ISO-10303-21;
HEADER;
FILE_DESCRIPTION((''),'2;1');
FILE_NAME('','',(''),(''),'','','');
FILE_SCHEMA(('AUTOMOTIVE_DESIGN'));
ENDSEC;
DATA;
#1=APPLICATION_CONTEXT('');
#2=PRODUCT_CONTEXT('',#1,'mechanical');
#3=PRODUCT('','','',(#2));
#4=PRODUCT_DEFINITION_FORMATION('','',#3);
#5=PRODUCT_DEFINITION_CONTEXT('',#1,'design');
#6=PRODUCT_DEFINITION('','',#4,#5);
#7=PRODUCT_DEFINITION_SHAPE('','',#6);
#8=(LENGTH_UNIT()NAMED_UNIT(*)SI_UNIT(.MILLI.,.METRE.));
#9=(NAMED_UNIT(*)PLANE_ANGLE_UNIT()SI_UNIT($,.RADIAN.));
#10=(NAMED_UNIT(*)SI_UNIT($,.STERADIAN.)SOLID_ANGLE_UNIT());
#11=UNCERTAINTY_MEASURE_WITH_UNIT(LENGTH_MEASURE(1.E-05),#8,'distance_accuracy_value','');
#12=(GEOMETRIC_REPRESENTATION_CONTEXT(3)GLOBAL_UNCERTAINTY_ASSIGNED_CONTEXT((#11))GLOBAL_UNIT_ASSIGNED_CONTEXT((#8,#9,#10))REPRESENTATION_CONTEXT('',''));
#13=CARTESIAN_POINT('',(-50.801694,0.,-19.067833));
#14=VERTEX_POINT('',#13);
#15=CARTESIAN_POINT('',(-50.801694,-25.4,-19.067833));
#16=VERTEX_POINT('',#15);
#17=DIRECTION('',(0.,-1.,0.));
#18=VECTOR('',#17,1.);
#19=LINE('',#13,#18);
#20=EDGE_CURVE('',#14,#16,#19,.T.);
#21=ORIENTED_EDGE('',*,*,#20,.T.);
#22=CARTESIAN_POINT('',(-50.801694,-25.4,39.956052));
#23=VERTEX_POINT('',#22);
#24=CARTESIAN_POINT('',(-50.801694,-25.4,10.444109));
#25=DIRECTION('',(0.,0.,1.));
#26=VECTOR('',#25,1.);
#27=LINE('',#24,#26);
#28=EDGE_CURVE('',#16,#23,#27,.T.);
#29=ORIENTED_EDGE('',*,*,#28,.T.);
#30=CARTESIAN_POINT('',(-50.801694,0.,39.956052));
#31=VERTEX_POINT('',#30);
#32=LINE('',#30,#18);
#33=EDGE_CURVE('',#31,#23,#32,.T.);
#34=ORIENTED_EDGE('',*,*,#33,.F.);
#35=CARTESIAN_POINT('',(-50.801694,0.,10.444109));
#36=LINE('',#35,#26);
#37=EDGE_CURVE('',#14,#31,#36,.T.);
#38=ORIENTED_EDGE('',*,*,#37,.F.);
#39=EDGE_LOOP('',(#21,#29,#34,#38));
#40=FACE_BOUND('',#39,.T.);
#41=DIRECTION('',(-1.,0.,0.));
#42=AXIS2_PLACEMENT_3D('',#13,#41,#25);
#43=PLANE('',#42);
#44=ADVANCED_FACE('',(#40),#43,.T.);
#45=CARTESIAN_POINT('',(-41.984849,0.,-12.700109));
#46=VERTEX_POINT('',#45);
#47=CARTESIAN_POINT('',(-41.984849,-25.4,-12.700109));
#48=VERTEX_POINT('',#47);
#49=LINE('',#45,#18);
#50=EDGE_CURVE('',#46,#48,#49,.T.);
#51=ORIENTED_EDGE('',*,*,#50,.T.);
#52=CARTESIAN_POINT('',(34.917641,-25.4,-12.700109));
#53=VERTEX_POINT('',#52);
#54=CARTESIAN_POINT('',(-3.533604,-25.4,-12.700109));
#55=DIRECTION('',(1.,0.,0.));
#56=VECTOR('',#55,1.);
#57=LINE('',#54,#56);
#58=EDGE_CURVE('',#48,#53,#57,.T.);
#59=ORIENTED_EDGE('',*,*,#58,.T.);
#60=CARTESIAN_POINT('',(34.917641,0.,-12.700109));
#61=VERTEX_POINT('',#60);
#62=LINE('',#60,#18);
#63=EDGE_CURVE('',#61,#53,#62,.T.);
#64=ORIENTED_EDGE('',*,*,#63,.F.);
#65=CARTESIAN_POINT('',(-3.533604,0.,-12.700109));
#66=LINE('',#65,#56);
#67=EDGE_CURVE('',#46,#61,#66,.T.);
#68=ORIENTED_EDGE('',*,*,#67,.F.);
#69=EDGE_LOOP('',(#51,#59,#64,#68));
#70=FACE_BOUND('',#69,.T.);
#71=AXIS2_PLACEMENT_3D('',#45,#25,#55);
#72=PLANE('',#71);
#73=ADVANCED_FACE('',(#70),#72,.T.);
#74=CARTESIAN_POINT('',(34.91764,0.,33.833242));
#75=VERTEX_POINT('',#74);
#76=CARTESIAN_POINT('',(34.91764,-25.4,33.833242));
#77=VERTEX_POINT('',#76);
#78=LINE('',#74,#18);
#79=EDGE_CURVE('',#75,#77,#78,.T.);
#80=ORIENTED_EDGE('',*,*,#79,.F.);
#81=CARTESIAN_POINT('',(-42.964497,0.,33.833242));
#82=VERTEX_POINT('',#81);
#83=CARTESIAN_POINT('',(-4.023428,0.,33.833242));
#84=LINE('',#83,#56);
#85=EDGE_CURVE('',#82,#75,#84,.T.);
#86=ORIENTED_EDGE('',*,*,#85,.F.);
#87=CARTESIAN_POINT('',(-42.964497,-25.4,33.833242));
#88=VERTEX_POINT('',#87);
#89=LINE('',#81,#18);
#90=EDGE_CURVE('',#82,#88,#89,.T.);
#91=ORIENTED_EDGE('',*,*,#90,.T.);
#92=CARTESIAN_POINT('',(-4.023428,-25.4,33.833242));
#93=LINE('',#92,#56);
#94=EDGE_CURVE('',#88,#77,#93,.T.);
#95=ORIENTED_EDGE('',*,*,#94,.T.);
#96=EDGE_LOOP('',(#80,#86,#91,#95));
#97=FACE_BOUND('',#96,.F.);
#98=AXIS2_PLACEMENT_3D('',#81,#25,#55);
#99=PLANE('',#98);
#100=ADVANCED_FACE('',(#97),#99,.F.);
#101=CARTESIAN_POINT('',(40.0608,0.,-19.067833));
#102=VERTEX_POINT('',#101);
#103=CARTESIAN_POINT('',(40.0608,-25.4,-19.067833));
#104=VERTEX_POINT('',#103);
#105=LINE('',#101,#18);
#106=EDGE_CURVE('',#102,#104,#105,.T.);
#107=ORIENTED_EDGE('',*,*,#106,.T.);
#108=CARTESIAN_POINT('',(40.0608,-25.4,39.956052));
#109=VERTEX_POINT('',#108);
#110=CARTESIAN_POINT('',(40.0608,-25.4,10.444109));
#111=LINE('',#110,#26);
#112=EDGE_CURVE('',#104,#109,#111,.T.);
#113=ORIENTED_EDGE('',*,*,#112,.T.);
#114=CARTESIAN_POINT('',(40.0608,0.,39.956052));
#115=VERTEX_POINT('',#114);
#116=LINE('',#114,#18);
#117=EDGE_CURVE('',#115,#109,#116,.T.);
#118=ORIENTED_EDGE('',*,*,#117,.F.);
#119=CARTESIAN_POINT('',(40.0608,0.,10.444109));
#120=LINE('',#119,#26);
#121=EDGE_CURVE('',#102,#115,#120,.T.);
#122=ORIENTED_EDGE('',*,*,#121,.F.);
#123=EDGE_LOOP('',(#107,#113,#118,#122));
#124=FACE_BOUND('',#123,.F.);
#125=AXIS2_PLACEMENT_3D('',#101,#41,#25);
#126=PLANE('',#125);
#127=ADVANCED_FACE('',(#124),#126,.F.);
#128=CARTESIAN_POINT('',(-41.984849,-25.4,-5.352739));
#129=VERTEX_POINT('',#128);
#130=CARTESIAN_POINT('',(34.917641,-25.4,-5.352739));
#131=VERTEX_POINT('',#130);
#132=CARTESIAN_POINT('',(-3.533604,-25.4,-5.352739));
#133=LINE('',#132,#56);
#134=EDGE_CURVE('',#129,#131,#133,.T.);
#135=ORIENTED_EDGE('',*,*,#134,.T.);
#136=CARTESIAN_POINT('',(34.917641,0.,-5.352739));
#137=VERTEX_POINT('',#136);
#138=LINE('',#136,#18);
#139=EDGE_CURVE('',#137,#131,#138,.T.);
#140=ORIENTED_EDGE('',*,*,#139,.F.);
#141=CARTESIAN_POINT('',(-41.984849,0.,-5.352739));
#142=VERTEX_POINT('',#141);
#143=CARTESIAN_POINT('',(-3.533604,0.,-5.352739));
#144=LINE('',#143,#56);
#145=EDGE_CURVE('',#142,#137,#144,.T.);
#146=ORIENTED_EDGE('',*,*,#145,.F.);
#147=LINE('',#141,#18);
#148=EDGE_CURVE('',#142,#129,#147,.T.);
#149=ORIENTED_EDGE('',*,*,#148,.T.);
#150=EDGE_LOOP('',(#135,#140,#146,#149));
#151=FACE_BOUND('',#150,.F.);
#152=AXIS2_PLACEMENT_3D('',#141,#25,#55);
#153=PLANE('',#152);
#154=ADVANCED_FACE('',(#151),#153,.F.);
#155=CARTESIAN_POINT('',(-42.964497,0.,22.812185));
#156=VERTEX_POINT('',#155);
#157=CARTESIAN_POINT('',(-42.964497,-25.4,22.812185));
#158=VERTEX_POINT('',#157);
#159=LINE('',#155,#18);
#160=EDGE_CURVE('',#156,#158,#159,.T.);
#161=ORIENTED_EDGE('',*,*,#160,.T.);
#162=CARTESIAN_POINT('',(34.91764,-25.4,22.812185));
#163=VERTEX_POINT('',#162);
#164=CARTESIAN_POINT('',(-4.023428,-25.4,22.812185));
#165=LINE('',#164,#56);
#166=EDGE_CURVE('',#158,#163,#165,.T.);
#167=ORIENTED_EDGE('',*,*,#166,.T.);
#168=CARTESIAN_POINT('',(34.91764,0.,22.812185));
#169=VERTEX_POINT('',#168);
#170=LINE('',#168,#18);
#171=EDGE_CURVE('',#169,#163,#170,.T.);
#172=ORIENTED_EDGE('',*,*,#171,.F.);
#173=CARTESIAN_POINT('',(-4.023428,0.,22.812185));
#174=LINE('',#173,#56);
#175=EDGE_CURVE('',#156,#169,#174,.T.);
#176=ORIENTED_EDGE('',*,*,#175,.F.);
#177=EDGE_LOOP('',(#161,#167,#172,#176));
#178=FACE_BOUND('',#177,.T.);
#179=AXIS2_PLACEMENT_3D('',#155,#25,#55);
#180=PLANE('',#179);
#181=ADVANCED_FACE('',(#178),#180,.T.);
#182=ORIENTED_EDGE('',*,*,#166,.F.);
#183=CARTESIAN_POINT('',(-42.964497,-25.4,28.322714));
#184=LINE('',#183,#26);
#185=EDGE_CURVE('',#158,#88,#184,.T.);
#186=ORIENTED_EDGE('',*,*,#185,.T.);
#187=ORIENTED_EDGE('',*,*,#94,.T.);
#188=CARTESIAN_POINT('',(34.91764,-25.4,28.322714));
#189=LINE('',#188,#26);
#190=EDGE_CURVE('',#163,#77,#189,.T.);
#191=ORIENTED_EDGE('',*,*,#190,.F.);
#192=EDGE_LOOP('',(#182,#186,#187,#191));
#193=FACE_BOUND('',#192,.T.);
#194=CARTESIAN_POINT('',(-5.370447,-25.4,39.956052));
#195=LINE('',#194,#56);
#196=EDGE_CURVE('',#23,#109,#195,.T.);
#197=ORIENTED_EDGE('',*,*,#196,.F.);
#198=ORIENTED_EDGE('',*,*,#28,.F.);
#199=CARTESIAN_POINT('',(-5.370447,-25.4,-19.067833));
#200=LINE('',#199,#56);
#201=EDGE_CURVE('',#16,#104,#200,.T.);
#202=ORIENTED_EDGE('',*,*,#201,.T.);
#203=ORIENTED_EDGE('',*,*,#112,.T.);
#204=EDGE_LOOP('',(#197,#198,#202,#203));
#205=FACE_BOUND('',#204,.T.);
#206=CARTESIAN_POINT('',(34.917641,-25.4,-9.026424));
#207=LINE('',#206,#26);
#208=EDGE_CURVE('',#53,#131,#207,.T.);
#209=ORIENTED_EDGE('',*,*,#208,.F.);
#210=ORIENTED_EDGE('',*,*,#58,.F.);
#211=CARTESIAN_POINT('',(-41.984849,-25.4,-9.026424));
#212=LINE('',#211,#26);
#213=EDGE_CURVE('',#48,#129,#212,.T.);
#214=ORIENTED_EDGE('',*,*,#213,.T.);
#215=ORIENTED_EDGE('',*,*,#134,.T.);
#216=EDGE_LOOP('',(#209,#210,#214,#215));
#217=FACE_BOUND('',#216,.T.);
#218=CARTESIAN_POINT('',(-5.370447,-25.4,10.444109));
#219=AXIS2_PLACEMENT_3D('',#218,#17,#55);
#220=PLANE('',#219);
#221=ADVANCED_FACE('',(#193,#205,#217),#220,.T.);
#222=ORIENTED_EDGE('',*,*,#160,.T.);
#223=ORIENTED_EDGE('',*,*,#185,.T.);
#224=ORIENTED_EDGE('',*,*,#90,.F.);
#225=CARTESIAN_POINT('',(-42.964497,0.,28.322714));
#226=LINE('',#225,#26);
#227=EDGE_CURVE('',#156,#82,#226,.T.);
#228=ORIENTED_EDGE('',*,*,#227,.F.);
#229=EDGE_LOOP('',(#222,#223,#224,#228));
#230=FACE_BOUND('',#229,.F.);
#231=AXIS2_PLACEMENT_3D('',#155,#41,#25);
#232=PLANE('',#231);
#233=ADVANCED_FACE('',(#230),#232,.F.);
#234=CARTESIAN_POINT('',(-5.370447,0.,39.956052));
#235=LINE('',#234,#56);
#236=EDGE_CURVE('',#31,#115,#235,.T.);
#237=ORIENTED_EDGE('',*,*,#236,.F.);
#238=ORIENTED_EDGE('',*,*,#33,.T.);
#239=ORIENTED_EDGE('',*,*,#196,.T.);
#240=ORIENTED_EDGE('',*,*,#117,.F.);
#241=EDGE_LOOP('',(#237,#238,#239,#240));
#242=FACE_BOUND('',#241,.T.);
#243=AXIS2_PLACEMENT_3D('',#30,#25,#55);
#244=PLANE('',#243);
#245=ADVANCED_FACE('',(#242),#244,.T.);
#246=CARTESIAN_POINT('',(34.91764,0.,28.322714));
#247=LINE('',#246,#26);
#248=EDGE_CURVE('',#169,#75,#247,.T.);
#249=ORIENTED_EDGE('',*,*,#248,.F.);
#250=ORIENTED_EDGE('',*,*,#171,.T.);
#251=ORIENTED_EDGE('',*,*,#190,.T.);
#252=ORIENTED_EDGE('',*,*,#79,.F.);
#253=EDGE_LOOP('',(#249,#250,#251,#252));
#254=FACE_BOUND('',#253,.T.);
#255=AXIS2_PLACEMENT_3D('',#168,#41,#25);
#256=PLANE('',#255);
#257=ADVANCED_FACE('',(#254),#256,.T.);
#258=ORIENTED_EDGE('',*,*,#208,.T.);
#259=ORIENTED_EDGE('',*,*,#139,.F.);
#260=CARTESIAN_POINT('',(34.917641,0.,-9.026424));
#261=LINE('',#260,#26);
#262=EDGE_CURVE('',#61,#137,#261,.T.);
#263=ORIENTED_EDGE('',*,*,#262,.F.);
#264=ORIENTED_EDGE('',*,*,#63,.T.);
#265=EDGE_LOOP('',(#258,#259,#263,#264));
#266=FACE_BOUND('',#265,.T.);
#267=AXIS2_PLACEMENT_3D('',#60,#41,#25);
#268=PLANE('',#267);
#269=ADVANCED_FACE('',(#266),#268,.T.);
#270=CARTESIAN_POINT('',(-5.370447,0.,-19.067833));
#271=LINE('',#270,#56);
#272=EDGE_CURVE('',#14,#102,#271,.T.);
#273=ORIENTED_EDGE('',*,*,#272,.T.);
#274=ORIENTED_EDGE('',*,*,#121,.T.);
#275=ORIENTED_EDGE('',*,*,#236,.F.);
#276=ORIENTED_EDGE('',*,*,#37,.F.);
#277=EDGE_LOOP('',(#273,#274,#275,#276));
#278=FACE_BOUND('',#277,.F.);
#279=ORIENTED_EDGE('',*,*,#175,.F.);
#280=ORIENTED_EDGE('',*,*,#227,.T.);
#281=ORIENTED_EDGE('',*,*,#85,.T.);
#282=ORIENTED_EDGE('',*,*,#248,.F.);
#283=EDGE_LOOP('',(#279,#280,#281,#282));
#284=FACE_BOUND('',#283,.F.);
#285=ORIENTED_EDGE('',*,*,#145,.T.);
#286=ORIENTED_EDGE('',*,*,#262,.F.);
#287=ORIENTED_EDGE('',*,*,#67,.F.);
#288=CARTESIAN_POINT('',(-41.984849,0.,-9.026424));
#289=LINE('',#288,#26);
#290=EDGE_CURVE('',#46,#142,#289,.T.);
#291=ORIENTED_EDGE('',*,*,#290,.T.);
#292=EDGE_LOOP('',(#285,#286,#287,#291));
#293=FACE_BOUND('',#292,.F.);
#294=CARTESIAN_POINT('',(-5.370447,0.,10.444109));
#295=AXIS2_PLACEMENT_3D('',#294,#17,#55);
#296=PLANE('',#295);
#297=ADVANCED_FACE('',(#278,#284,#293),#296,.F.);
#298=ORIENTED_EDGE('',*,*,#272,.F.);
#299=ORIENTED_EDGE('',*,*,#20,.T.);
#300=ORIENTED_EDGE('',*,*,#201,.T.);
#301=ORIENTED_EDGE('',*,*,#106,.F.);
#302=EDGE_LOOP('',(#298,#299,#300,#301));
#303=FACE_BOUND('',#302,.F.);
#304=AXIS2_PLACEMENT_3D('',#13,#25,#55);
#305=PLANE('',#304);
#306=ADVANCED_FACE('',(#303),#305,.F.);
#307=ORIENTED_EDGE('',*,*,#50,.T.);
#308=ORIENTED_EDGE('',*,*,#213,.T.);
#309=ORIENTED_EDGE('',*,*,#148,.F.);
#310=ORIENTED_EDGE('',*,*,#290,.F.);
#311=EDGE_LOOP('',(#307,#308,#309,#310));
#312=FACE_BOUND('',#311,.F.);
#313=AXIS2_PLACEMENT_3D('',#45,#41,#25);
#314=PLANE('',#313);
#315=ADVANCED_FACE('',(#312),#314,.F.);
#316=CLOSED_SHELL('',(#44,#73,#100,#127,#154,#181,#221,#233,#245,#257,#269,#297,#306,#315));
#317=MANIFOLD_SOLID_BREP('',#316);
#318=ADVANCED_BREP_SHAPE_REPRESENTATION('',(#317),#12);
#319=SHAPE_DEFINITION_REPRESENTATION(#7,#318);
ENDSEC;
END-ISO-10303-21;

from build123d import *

# Parameters (mm, degrees)
F0_W     = 90.862494
F0_H     = 59.023885
F0_W_2   = 76.90249
F0_H_2   = 7.347371
F0_W_3   = 77.882137
F0_H_3   = 11.021057
F1_DEPTH = 25.4
F2_W     = 24.723197
F2_H     = 7.40096
F3_DEPTH = 81.788


with BuildPart() as f1:
    # F0 (on Front) → F1 (new body)
    with BuildSketch(Plane.XZ):
        with Locations((-5.370447, 10.444109)):
            Rectangle(F0_W, F0_H)
        with Locations((-3.533604, -9.026424)):
            Rectangle(F0_W_2, F0_H_2, mode=Mode.SUBTRACT)
        with Locations((-4.023428, 28.322714)):
            Rectangle(F0_W_3, F0_H_3, mode=Mode.SUBTRACT)
    extrude(amount=F1_DEPTH)

    # F2 (on Front) → F3 (cut)
    with BuildSketch(Plane.XZ):
        with Locations((-26.649445, 12.346085)):
            Rectangle(F2_W, F2_H)
    extrude(amount=-F3_DEPTH, mode=Mode.SUBTRACT)


solid = f1.part
